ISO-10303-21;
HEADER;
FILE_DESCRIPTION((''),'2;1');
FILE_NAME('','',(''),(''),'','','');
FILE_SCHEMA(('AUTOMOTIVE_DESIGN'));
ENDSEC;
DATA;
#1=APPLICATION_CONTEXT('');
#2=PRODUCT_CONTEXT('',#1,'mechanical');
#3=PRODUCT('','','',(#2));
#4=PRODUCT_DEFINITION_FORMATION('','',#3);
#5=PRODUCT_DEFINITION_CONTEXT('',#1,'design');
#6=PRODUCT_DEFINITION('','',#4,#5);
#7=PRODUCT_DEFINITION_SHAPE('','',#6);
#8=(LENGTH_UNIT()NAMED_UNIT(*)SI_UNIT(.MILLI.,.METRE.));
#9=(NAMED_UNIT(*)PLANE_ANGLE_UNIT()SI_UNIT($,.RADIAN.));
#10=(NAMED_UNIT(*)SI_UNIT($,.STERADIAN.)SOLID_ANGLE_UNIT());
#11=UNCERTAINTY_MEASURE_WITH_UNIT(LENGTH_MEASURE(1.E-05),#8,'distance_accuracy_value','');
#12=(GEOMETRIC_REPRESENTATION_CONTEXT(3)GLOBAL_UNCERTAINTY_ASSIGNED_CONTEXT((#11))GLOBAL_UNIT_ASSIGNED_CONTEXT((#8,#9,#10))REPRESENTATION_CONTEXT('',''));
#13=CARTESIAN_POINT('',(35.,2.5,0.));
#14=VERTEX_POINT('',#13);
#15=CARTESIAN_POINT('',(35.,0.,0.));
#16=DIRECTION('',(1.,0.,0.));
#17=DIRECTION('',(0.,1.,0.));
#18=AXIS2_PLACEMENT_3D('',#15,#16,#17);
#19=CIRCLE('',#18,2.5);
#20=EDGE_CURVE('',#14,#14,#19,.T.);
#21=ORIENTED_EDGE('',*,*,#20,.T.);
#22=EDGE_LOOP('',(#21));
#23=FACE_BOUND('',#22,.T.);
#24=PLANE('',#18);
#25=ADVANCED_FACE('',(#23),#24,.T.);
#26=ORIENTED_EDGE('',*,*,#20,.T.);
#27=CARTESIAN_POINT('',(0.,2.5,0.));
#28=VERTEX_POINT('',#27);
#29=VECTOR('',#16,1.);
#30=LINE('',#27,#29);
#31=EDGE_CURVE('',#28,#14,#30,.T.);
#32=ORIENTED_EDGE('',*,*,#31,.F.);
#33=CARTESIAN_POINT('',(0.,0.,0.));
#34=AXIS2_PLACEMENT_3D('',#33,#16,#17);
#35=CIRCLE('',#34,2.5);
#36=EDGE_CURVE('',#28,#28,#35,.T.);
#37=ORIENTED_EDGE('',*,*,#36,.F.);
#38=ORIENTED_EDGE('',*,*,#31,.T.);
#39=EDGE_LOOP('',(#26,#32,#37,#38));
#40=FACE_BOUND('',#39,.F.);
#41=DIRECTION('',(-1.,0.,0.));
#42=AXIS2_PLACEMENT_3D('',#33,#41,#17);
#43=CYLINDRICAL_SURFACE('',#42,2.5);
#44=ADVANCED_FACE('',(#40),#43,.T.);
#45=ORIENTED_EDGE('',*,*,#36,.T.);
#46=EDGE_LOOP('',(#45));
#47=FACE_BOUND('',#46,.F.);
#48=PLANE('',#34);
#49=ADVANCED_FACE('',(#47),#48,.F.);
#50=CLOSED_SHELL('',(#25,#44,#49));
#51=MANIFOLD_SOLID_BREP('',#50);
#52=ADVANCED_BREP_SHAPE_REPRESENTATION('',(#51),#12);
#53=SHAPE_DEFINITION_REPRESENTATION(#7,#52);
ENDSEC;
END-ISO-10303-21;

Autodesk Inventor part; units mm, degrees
ref_plane "YZ Plane" through (0, 0, 0) normal (1, 0, 0) x (0, 1, 0)
ref_plane "XZ Plane" through (0, 0, 0) normal (0, 1, 0) x (-1, 0, 0)
ref_plane "XY Plane" through (0, 0, 0) normal (0, 0, 1) x (1, 0, 0)
sketch "Sketch1" plane through (0, 0, 0) normal (1, 0, 0) x (0, 1, 0)
  circle A0 centre (0, 0) radius 2.5
  dimension "d0" = 5
extrude "Extrusion1" add sketch "Sketch1" along normal blind 35
thread "Thread1" size "3/8-32 UNEF" class "2A" standard "ANSI Unified Screw Threads" full length
properties part number "Forefingers Rod3"
